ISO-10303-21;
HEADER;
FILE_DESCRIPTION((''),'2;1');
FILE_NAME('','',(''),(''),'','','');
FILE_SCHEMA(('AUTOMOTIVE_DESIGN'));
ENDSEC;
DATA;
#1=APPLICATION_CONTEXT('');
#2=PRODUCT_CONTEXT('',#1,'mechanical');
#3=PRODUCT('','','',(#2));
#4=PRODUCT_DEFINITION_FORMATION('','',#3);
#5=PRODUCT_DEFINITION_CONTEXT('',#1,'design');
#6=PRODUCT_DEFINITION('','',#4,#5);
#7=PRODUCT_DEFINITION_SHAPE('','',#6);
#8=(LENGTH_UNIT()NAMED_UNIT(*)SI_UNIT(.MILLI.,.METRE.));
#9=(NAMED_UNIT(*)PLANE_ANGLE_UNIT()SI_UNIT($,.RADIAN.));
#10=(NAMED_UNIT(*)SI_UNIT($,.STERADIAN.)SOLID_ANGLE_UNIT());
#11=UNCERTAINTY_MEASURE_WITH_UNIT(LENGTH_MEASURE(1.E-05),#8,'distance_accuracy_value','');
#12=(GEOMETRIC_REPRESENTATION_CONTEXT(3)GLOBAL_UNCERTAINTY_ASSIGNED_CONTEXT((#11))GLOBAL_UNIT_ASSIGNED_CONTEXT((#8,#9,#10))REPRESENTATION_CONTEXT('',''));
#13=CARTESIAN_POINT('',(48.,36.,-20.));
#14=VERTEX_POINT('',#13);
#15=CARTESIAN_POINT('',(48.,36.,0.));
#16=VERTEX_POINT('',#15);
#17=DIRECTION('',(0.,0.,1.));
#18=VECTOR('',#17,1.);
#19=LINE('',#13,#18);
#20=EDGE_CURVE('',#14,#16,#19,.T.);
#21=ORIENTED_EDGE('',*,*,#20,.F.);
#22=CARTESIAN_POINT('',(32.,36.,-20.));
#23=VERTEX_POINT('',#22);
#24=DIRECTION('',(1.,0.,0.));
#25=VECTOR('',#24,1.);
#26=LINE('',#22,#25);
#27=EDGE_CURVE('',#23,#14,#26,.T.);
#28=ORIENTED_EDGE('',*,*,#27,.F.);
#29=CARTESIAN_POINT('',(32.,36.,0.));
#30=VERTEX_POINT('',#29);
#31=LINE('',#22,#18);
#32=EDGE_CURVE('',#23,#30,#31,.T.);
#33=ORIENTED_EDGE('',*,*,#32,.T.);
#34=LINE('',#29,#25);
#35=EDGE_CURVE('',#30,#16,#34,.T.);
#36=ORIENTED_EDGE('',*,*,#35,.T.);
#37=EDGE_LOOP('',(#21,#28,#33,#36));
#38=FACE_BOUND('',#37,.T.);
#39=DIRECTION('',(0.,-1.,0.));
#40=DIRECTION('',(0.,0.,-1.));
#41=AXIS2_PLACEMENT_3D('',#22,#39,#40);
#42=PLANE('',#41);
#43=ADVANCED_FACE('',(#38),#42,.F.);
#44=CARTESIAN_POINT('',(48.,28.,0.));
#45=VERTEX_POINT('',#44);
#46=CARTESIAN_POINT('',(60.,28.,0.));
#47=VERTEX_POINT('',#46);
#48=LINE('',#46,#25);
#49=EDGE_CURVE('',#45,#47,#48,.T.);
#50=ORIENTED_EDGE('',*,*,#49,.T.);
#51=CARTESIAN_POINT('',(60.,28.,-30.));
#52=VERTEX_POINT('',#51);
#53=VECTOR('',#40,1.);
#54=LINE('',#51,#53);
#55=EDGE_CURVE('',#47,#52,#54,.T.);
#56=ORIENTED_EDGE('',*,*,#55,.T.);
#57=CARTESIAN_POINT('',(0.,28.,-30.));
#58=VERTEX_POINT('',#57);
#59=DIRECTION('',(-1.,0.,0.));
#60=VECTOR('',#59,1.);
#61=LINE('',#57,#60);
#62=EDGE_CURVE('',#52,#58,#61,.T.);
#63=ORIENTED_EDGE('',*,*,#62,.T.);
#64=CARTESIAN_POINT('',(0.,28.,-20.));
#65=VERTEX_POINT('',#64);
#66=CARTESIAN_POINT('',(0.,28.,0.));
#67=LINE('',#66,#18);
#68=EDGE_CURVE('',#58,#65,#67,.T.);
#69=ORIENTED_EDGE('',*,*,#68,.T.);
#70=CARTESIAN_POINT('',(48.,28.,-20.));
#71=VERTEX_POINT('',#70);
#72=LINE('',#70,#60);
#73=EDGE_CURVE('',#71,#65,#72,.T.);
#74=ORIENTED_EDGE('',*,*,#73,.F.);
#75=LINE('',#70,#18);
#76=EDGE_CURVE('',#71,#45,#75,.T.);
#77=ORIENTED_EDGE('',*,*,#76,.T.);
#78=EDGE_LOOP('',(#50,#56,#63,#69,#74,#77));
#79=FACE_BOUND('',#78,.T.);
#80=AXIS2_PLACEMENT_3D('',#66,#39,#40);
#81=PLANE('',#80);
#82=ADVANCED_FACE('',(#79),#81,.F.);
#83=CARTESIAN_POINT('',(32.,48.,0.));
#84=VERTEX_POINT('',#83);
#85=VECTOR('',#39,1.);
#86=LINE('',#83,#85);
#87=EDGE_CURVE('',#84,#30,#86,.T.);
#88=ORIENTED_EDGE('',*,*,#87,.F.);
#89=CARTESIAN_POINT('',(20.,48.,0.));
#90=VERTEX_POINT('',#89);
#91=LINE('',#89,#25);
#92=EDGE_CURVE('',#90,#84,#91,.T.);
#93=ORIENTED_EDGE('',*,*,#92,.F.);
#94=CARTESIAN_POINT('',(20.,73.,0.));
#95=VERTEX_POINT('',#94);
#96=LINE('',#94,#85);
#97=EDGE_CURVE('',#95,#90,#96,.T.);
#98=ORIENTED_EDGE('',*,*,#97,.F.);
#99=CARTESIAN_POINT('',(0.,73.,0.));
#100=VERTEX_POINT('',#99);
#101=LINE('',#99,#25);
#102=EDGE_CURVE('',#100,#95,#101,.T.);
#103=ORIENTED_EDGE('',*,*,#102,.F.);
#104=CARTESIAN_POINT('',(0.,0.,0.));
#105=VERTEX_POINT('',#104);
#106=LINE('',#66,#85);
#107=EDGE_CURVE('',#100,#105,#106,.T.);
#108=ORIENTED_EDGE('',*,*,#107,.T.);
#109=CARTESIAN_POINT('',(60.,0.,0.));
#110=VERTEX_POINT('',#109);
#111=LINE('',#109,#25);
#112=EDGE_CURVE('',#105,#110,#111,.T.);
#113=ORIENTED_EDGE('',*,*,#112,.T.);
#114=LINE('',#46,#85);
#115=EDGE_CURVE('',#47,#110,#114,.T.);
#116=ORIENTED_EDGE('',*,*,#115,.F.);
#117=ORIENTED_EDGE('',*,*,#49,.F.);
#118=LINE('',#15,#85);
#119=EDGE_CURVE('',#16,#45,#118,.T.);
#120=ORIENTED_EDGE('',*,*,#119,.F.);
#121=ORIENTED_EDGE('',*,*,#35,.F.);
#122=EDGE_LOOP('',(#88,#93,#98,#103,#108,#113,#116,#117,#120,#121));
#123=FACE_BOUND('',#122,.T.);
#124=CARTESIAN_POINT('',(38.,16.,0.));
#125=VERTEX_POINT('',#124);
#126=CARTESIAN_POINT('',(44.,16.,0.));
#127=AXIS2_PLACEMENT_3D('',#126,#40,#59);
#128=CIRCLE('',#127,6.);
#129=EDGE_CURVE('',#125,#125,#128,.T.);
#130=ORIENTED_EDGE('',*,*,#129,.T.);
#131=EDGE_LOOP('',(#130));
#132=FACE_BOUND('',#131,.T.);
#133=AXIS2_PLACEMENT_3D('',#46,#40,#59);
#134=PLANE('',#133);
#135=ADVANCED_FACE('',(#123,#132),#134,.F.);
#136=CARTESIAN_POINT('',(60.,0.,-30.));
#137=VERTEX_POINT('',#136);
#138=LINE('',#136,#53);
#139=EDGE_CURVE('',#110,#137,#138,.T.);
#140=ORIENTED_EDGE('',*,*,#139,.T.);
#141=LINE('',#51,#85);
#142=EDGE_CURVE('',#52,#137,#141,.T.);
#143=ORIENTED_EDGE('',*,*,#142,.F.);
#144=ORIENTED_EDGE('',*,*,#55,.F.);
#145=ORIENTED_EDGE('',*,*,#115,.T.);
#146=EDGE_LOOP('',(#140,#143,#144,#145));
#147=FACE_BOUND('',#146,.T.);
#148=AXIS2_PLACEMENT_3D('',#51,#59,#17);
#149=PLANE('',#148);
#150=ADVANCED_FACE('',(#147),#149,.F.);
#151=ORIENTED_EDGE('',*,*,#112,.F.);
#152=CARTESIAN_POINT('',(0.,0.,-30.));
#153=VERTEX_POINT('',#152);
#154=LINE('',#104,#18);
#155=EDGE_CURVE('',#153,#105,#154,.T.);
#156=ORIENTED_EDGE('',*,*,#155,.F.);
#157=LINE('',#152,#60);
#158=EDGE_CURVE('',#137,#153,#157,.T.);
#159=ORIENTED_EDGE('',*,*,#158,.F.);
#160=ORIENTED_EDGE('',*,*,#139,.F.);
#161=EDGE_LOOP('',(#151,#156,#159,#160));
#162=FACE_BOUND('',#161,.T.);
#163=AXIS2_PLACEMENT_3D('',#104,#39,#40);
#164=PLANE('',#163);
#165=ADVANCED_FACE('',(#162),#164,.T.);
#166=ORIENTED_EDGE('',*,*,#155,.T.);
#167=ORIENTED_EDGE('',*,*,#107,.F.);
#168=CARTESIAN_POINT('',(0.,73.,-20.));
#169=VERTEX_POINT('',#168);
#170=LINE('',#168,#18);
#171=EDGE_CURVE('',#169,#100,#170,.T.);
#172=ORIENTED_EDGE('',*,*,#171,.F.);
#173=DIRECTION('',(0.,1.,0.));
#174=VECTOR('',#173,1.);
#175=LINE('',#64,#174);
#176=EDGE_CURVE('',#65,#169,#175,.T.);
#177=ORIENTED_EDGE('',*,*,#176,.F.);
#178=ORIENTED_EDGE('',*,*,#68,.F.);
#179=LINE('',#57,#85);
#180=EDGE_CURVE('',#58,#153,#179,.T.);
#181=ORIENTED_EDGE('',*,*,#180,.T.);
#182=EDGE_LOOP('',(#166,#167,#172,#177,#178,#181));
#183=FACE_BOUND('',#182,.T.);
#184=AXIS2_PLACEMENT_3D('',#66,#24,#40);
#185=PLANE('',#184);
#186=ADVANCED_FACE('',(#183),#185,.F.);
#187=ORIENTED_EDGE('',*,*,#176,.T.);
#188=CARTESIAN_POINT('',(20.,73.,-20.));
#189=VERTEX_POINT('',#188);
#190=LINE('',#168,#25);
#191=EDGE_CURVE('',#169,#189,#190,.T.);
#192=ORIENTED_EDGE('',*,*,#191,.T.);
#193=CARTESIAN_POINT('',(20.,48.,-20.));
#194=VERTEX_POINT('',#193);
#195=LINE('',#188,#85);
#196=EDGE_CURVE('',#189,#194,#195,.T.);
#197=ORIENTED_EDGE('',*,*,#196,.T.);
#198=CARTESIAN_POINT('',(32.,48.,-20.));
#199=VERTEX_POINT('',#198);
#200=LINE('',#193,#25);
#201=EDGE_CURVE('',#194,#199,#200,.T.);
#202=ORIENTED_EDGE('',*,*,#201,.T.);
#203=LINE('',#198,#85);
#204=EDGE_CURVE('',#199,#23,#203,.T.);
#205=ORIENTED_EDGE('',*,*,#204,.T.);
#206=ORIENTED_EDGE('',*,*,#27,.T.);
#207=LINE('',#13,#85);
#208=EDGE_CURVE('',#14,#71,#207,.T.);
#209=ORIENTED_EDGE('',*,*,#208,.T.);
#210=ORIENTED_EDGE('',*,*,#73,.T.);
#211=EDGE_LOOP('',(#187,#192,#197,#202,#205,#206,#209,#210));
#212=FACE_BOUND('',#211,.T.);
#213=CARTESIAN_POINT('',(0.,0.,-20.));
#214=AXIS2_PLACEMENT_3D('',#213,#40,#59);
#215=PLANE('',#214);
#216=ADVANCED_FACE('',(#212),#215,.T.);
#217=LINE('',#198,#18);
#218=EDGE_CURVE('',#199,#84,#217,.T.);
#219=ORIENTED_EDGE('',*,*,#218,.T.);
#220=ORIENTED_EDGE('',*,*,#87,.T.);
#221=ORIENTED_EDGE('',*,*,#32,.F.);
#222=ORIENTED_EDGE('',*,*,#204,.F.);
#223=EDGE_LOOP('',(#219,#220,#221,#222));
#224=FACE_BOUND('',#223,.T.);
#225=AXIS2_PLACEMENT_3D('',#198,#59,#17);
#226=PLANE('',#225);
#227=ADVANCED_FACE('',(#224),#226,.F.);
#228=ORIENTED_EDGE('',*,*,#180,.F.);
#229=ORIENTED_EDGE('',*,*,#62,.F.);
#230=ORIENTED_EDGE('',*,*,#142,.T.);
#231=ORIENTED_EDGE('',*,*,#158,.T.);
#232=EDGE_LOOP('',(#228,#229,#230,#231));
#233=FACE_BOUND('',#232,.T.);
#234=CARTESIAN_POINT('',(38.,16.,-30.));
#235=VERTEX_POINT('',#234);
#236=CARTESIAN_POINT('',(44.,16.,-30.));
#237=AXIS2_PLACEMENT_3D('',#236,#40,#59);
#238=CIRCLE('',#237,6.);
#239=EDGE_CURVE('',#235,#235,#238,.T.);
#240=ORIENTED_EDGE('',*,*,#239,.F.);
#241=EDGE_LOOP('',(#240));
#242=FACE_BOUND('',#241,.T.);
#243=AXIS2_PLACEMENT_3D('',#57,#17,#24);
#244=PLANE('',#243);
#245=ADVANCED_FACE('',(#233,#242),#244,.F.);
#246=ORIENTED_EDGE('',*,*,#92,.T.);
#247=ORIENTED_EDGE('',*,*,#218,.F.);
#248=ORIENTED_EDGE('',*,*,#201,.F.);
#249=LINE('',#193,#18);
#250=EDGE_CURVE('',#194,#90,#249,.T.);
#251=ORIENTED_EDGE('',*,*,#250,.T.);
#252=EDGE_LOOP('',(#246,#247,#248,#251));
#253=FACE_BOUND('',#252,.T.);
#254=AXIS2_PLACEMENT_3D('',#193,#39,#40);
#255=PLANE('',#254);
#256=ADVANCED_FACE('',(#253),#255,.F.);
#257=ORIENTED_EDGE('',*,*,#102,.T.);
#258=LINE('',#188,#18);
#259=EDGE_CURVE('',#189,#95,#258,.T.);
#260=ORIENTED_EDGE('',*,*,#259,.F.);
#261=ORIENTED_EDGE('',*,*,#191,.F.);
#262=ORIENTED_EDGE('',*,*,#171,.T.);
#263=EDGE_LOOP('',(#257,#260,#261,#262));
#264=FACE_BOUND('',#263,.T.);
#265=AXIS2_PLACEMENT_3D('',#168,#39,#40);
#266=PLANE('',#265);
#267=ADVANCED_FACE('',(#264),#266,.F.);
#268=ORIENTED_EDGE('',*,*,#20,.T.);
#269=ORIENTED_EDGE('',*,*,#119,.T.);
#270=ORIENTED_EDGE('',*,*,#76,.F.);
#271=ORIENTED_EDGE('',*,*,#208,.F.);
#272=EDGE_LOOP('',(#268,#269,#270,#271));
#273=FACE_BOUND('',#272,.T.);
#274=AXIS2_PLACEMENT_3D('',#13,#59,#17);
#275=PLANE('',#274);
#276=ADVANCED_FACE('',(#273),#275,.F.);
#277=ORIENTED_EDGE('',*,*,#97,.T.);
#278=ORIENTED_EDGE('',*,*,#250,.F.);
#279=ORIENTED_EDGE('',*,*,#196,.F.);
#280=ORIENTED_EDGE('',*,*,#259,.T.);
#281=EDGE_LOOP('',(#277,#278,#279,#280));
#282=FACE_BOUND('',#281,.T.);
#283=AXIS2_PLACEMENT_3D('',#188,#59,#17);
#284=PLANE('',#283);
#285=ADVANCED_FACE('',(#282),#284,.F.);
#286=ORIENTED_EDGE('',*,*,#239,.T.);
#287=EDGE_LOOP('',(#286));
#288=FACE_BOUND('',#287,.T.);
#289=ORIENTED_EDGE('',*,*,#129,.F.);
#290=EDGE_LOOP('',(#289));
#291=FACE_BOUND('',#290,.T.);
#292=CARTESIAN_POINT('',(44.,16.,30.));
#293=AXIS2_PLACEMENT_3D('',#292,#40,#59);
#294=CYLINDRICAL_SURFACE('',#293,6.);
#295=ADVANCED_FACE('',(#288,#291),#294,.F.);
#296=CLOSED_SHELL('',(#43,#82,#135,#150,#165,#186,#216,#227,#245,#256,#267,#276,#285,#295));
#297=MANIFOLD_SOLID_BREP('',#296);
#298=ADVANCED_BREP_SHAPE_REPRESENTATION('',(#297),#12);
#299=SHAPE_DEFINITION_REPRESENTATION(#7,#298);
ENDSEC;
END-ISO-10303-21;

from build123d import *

# Parameters (mm, degrees)
SKETCH2_W           = 60
SKETCH2_H           = 30
BOSS_EXTRUDE1_DEPTH = 28
BOSS_EXTRUDE3_DEPTH = 20
SKETCH6_R           = 6
CUT_EXTRUDE7_DEPTH  = 60


with BuildPart() as part:
    # Sketch2 → Boss-Extrude1 (new body)
    with BuildSketch(Plane(origin=(0, 0, 0), x_dir=(1, 0, 0), z_dir=(0, 1, 0))):
        with Locations((30, 15)):
            Rectangle(SKETCH2_W, SKETCH2_H)
    extrude(amount=BOSS_EXTRUDE1_DEPTH)

    # Sketch3 → Boss-Extrude3 (add)
    with BuildSketch(Plane.XY):
        Polygon((0, 28), (0, 73), (20, 73), (20, 48), (32, 48), (32, 36), (48, 36), (48, 28), align=None)
    extrude(amount=-BOSS_EXTRUDE3_DEPTH)

    # Sketch6 → Cut-Extrude7 (cut)
    with BuildSketch(Plane(origin=(0, 0, -30), x_dir=(-1, 0, 0), z_dir=(0, 0, -1))):
        with Locations((-44, 16)):
            Circle(SKETCH6_R)
    extrude(amount=-CUT_EXTRUDE7_DEPTH, mode=Mode.SUBTRACT)


solid = part.part
